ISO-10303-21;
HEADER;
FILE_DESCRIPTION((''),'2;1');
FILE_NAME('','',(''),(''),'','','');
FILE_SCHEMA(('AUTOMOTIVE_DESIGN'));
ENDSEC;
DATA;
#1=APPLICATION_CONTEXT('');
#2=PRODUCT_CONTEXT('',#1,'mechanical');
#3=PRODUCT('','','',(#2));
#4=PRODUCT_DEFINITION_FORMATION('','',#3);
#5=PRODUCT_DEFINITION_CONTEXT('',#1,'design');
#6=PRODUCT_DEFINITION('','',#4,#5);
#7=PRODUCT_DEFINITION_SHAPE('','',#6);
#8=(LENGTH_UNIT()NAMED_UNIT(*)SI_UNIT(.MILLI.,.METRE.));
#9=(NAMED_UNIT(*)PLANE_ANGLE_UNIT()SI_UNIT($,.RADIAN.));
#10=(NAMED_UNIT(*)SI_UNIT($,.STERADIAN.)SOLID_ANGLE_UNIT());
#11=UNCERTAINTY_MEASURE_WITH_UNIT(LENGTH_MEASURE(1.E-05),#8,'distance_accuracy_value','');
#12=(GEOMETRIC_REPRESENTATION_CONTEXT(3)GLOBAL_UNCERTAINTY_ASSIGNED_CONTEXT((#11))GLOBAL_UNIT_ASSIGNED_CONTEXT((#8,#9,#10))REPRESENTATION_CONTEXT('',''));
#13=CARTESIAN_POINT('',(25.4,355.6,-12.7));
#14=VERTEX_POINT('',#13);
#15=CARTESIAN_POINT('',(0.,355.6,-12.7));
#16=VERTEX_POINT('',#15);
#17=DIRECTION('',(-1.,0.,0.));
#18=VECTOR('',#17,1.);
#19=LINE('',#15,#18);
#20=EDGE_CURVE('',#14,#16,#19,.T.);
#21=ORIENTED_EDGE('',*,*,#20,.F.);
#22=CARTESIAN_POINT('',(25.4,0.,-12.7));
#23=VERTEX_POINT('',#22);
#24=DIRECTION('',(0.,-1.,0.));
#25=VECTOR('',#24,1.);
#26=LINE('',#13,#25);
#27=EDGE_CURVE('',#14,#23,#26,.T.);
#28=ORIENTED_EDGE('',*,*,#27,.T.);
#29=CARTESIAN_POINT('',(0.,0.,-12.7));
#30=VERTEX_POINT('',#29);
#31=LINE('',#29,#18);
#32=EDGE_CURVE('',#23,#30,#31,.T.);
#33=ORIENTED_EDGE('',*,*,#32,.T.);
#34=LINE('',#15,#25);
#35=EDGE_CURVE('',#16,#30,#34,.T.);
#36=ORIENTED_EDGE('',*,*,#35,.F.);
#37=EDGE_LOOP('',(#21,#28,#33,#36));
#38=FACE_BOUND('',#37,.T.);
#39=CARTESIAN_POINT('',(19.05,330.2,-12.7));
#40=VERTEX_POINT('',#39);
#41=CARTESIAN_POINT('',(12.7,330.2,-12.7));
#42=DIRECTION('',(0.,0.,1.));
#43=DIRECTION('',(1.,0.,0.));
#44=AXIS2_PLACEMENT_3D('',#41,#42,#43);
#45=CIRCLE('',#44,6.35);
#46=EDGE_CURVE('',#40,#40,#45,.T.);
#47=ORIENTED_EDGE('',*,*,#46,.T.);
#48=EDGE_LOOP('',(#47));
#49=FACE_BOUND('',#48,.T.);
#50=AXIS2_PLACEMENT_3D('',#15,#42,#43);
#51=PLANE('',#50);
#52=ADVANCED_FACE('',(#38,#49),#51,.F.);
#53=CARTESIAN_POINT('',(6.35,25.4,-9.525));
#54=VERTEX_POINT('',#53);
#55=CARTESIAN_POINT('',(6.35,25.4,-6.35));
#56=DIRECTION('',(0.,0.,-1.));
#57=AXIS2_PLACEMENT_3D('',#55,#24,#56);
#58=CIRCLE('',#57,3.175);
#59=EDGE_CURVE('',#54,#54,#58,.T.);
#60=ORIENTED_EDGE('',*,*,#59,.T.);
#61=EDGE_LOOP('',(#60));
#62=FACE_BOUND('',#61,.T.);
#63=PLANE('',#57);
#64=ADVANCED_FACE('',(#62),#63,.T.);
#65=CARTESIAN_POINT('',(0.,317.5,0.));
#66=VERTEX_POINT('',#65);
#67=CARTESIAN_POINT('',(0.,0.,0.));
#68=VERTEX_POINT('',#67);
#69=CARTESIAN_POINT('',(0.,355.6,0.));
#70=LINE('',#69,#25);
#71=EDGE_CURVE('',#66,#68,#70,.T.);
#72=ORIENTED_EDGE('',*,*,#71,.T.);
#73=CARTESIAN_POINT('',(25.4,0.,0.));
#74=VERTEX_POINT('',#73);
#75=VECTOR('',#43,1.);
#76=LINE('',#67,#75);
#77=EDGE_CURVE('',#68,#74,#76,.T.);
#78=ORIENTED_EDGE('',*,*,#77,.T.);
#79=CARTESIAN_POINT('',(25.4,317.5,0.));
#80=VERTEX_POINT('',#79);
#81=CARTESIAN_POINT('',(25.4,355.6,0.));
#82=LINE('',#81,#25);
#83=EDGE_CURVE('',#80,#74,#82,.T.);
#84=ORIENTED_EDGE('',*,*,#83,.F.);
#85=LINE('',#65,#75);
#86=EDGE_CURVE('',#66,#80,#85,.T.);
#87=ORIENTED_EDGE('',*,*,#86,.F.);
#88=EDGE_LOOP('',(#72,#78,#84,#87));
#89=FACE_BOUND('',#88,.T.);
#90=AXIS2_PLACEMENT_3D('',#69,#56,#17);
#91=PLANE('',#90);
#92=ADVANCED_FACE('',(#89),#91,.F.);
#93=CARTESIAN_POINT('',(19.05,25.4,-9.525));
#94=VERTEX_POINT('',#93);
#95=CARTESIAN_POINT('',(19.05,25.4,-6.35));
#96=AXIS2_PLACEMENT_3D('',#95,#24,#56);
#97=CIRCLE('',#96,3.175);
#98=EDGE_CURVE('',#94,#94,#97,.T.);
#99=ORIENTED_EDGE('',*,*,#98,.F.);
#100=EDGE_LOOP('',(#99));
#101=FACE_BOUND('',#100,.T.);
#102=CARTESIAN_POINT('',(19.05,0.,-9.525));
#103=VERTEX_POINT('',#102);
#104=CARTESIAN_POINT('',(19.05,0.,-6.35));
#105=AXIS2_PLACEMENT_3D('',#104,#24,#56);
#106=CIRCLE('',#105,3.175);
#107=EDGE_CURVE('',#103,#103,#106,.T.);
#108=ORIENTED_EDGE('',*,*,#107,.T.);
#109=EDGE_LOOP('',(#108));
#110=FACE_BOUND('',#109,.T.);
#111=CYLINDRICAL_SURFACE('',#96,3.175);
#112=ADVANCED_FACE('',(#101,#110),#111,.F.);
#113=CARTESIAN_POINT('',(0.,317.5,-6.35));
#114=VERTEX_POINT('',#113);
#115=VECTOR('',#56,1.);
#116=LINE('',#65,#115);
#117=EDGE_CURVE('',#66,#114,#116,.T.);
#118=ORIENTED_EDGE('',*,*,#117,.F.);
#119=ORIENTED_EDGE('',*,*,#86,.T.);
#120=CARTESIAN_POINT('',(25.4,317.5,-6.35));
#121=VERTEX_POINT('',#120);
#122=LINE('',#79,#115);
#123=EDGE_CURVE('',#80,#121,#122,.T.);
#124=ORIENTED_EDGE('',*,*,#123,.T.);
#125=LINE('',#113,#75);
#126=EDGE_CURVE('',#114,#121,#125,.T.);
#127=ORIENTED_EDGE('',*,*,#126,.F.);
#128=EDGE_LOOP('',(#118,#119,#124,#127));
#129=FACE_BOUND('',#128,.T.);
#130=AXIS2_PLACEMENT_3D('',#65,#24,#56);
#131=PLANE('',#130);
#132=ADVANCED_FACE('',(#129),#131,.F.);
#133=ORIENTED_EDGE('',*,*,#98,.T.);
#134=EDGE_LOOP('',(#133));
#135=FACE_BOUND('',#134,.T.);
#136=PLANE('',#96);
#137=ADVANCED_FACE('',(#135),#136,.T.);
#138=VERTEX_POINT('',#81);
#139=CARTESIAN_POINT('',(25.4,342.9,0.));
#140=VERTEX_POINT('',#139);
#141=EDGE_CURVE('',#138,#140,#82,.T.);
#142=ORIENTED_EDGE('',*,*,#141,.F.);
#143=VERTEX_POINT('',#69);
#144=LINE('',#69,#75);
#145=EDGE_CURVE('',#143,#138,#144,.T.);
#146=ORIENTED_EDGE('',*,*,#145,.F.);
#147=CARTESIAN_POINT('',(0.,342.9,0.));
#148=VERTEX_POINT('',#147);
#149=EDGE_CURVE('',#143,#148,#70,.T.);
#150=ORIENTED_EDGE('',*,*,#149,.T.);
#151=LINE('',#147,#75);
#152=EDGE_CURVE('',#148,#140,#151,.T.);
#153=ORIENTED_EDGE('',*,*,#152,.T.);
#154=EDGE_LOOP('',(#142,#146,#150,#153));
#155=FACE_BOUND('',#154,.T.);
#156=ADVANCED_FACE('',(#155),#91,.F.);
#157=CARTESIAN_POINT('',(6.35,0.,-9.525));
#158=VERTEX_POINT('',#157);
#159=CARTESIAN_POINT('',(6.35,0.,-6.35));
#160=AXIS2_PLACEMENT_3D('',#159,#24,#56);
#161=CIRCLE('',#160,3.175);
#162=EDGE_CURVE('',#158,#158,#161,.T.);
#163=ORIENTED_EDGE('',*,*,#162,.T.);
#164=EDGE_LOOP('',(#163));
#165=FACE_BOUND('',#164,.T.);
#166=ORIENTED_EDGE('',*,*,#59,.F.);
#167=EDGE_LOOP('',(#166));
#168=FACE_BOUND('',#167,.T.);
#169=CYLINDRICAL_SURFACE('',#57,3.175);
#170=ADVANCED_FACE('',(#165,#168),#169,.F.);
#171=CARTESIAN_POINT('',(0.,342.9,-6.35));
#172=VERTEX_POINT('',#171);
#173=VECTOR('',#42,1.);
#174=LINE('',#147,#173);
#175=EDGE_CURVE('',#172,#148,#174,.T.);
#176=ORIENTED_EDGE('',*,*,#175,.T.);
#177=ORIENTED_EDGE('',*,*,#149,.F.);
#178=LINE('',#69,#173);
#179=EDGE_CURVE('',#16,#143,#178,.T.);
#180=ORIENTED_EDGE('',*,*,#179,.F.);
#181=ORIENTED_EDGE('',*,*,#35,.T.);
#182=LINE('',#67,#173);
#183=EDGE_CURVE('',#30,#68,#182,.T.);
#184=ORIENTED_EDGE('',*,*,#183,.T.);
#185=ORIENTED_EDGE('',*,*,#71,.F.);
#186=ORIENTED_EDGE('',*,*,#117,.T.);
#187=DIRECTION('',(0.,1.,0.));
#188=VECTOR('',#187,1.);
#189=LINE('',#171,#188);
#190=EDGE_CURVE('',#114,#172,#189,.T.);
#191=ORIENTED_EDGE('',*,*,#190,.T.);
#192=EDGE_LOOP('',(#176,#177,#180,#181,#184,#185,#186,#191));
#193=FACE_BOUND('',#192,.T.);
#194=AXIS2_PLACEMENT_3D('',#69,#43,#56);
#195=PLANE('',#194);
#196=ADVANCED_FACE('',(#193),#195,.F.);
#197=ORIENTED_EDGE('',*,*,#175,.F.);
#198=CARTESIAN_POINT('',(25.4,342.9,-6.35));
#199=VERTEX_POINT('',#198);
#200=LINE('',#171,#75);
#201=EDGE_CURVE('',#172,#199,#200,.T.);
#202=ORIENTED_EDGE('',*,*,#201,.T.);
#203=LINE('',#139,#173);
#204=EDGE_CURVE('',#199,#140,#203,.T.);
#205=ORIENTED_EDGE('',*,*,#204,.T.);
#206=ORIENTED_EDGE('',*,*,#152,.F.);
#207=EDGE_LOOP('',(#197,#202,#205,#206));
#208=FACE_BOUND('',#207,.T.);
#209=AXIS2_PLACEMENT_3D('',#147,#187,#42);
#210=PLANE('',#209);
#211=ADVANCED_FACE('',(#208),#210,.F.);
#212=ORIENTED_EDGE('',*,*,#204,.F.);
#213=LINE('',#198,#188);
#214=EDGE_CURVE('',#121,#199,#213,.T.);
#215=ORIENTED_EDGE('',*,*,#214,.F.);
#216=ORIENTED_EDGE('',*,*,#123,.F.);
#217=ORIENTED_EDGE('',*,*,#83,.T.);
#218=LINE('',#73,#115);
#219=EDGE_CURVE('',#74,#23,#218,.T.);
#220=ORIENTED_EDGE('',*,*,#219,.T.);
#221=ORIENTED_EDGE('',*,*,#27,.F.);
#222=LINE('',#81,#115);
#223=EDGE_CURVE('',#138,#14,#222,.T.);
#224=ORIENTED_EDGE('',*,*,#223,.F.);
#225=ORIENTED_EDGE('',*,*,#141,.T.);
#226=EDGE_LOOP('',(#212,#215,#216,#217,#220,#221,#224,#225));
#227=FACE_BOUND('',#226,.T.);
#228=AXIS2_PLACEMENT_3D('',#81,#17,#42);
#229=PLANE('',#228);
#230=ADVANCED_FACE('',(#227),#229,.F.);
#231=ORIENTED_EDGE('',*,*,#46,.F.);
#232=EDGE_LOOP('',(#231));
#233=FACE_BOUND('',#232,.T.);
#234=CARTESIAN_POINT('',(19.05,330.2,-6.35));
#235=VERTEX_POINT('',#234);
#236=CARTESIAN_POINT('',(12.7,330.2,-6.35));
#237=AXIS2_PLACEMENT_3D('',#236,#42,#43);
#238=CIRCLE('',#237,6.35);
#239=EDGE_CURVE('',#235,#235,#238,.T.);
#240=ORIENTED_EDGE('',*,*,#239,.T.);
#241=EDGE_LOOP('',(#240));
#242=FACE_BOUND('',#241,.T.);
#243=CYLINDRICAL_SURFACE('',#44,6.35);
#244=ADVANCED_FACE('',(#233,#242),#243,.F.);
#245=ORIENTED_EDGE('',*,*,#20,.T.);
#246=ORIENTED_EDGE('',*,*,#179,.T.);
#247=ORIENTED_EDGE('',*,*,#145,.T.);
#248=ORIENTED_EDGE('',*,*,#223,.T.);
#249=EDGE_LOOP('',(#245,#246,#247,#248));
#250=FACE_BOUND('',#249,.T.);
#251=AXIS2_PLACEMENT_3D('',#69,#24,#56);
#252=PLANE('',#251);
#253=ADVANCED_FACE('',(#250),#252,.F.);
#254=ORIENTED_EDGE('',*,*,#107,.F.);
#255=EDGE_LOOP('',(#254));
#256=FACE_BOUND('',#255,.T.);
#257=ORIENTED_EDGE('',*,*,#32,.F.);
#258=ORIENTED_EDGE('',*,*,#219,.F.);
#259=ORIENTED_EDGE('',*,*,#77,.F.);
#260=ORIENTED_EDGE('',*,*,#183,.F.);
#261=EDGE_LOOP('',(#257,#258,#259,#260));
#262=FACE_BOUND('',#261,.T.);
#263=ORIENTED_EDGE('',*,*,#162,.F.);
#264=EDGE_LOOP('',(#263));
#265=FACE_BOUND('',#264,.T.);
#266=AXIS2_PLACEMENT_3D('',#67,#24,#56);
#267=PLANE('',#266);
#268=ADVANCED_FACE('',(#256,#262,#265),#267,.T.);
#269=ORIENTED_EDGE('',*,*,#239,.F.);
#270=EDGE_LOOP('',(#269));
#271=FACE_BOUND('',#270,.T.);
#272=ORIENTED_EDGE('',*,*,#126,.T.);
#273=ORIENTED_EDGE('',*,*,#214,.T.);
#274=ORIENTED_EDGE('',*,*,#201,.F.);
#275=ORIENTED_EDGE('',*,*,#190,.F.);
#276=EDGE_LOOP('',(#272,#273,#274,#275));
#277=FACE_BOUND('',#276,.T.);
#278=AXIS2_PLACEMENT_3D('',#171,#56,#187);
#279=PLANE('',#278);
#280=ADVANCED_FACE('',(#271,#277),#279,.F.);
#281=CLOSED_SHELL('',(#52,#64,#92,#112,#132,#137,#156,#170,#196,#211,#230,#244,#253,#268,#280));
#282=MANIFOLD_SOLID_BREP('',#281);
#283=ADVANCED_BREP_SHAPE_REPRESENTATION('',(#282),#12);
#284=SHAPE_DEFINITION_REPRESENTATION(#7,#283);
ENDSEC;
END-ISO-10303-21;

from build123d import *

# Parameters (mm, degrees)
SKETCH1_W           = 25.4
SKETCH1_H           = 12.7
BOSS_EXTRUDE1_DEPTH = 355.6
SKETCH2_W           = 6.35
SKETCH2_H           = 25.4
CUT_EXTRUDE1_DEPTH  = 357.732126392
SKETCH3_R           = 6.35
CUT_EXTRUDE2_DEPTH  = 357.562536591
SKETCH4_R           = 3.175
CUT_EXTRUDE3_DEPTH  = 25.4


with BuildPart() as part:
    # Sketch1 → Boss-Extrude1 (new body)
    with BuildSketch(Plane(origin=(0, 0, 0), x_dir=(1, 0, 0), z_dir=(0, 1, 0))):
        with Locations((12.7, 6.35)):
            Rectangle(SKETCH1_W, SKETCH1_H)
    extrude(amount=BOSS_EXTRUDE1_DEPTH)

    # Sketch2 → Cut-Extrude1 (cut, through all)
    with BuildSketch(Plane(origin=(25.4, 0, 0), x_dir=(0, 0, -1), z_dir=(1, 0, 0))):
        with Locations((3.175, 330.2)):
            Rectangle(SKETCH2_W, SKETCH2_H)
    extrude(amount=-CUT_EXTRUDE1_DEPTH, mode=Mode.SUBTRACT)

    # Sketch3 → Cut-Extrude2 (cut, through all)
    with BuildSketch(Plane.XY.offset(-6.35)):
        with Locations((12.7, 330.2)):
            Circle(SKETCH3_R)
    extrude(amount=-CUT_EXTRUDE2_DEPTH, mode=Mode.SUBTRACT)

    # Sketch4 → Cut-Extrude3 (cut)
    with BuildSketch(Plane.XZ):
        with Locations(Location((6.35, -6.35, 0), (0, 0, 270))):
            Circle(SKETCH4_R)
        with Locations(Location((19.05, -6.35, 0), (0, 0, 270))):
            Circle(SKETCH4_R)
    extrude(amount=-CUT_EXTRUDE3_DEPTH, mode=Mode.SUBTRACT)


solid = part.part
